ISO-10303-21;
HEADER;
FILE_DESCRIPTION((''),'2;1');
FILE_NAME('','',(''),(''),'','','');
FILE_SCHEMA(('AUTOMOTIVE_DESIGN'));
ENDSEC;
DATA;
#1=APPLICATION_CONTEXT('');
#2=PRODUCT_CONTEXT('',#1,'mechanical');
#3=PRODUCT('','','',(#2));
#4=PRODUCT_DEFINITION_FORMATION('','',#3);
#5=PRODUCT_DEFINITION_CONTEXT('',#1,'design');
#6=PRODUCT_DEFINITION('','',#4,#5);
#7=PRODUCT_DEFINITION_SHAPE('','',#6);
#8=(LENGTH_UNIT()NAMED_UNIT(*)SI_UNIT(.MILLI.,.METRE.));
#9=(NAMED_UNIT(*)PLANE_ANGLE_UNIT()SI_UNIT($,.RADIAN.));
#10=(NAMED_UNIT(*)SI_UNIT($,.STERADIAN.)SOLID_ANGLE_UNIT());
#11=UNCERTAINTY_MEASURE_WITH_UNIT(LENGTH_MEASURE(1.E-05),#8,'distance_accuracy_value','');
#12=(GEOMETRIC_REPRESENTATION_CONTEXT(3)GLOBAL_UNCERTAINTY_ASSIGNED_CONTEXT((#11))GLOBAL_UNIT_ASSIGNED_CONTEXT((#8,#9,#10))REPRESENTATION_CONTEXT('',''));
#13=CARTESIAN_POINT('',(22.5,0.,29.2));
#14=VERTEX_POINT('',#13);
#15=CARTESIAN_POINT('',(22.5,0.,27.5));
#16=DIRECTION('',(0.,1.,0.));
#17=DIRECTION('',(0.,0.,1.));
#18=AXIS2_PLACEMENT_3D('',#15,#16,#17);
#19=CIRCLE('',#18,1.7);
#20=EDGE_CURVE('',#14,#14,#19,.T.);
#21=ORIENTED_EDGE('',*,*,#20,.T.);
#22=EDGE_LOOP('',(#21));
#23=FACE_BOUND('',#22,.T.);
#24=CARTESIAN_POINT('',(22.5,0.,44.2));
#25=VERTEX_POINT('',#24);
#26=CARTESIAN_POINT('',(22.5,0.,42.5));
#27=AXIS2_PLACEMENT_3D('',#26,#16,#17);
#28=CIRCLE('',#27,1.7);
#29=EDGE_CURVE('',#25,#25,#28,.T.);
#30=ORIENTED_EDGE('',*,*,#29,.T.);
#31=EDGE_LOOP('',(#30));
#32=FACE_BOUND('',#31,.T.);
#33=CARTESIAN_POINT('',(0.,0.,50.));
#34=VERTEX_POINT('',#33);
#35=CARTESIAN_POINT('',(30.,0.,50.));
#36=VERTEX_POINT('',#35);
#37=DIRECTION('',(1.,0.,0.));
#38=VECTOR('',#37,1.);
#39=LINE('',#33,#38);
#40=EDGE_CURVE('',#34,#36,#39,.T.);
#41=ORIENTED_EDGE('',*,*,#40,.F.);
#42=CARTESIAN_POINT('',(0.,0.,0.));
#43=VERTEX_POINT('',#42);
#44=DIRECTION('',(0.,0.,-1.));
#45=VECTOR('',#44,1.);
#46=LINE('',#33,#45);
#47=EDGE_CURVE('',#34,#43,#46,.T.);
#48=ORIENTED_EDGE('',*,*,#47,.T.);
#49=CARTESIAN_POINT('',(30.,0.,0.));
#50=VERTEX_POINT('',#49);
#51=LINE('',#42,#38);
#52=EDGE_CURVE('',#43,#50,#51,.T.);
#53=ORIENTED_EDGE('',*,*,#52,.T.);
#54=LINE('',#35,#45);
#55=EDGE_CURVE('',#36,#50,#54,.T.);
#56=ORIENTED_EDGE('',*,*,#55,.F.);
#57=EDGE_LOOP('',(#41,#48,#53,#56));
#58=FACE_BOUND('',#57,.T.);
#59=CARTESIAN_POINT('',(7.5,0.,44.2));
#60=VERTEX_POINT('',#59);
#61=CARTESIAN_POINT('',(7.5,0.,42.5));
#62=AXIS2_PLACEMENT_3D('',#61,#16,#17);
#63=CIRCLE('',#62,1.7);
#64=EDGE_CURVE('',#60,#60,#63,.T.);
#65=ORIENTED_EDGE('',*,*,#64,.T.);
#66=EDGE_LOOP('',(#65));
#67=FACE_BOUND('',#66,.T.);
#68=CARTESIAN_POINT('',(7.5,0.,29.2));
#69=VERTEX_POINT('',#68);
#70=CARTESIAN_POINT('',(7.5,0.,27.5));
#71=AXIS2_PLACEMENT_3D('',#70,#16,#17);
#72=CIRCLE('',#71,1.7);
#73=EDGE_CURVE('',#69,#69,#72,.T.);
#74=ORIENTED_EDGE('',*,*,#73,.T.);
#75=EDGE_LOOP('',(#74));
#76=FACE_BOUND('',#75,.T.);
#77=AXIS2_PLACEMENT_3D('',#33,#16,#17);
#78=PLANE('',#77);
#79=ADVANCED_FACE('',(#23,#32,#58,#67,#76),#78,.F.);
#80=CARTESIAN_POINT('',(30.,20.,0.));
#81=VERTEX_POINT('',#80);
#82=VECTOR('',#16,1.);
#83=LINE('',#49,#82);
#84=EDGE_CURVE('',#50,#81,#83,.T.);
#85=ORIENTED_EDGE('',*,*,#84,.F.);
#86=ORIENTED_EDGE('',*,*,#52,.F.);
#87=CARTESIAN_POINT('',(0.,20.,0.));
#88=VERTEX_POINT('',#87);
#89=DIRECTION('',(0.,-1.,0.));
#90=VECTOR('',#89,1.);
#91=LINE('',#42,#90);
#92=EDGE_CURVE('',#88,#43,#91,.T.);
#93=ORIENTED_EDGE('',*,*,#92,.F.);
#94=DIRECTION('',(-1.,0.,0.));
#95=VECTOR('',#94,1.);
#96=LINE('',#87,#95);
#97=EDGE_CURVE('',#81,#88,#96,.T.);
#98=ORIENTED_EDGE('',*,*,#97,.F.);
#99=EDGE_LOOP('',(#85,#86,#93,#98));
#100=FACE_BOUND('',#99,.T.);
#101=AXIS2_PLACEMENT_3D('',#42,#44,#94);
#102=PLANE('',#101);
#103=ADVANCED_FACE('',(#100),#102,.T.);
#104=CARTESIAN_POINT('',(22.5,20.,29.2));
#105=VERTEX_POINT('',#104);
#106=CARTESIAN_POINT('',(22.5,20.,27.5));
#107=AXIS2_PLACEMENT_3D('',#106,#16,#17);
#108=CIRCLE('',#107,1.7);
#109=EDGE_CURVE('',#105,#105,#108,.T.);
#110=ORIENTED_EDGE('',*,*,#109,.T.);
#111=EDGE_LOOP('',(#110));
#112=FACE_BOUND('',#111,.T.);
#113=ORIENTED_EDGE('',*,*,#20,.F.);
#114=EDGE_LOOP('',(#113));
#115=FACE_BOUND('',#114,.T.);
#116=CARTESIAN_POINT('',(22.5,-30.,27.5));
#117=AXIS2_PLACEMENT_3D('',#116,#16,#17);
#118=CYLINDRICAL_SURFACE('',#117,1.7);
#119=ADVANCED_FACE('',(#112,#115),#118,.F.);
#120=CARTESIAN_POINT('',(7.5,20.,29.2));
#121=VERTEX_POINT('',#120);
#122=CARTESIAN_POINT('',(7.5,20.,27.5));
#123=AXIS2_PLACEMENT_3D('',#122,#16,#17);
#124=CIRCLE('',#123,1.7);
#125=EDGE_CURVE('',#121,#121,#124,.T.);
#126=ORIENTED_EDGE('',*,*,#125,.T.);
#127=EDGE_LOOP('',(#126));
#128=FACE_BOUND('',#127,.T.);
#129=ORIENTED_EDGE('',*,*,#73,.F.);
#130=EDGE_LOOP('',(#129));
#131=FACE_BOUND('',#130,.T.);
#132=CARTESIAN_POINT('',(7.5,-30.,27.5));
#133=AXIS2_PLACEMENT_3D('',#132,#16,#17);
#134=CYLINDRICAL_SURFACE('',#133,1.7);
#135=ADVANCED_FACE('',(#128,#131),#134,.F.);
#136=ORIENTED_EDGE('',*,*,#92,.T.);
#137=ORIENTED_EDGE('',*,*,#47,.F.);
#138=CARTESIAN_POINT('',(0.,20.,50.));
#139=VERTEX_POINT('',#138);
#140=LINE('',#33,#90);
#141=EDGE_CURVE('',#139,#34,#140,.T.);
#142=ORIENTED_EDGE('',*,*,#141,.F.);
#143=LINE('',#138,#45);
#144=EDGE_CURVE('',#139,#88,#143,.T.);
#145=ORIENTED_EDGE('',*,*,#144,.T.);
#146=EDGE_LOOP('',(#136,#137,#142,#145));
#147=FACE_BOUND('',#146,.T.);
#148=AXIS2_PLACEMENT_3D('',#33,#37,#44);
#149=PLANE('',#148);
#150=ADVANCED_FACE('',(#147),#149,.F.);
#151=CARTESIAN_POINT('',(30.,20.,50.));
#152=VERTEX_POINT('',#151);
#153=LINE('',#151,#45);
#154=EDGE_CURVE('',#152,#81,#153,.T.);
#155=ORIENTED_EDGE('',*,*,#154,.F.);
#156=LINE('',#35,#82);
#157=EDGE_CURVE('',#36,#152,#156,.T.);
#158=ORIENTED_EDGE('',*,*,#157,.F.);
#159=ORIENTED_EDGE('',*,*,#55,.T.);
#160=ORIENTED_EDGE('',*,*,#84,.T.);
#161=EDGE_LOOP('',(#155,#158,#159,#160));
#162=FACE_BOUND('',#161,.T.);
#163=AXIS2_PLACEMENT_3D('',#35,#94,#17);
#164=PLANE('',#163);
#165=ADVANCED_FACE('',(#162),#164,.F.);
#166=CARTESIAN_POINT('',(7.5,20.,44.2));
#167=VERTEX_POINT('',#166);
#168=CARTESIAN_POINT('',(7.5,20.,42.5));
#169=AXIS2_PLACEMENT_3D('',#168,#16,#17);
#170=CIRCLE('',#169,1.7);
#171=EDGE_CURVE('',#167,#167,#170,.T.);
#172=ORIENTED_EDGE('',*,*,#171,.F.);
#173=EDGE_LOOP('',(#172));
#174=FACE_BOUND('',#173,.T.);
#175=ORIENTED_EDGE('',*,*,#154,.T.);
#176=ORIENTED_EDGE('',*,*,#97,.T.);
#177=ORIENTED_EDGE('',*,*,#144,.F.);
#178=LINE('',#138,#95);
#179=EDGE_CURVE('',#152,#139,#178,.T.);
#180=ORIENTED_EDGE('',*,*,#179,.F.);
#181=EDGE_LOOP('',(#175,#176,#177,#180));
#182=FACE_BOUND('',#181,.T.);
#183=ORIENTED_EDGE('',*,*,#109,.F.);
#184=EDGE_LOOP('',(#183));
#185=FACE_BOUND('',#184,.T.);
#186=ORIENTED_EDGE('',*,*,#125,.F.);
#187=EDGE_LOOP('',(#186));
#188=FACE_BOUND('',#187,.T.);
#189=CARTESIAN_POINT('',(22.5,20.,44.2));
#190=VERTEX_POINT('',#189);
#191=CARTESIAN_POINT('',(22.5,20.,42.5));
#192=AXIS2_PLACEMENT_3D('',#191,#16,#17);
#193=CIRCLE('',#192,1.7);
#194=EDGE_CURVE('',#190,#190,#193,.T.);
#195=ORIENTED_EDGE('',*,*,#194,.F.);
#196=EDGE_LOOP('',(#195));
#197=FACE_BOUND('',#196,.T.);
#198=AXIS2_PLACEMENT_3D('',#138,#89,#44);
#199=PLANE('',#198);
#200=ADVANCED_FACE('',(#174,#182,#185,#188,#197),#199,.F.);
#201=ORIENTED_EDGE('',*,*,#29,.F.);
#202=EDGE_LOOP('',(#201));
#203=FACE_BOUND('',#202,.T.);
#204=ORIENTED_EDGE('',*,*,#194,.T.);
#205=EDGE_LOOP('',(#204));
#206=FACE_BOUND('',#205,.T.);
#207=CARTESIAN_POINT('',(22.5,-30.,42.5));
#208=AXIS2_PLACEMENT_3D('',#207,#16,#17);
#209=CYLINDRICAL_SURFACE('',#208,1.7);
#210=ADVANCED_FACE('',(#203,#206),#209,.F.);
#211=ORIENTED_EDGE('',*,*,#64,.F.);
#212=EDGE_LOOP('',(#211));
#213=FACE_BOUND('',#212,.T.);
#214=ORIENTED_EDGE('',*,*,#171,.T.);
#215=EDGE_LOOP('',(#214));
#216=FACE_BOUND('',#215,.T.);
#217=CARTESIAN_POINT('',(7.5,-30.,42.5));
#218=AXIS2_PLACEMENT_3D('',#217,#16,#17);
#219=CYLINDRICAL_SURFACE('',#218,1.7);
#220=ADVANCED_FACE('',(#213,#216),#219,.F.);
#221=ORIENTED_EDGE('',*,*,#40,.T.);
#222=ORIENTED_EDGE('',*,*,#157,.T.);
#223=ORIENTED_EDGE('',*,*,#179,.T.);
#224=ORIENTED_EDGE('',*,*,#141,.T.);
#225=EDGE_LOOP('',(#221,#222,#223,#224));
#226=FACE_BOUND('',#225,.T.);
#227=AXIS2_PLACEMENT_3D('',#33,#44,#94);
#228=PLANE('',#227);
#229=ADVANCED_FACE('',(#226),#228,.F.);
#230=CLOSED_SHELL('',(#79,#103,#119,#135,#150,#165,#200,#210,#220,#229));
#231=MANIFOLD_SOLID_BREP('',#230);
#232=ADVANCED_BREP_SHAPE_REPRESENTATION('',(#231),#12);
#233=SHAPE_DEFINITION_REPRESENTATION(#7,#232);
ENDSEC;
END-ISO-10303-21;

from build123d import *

# Parameters (mm, degrees)
SKETCH2_W           = 30
SKETCH2_H           = 20
BOSS_EXTRUDE1_DEPTH = 50
SKETCH3_R           = 1.7
CUT_EXTRUDE1_DEPTH  = 50


with BuildPart() as part:
    # Sketch2 → Boss-Extrude1 (new body)
    with BuildSketch(Plane.XY):
        with Locations((15, 10)):
            Rectangle(SKETCH2_W, SKETCH2_H)
    extrude(amount=BOSS_EXTRUDE1_DEPTH)

    # Sketch3 → Cut-Extrude1 (cut)
    with BuildSketch(Plane(origin=(0, 20, 0), x_dir=(1, 0, 0), z_dir=(0, 1, 0))):
        with Locations(Location((7.5, -27.5, 0), (0, 0, 270))):
            Circle(SKETCH3_R)
        with Locations(Location((22.5, -27.5, 0), (0, 0, 270))):
            Circle(SKETCH3_R)
        with Locations(Location((22.5, -42.5, 0), (0, 0, 270))):
            Circle(SKETCH3_R)
        with Locations(Location((7.5, -42.5, 0), (0, 0, 270))):
            Circle(SKETCH3_R)
    extrude(amount=-CUT_EXTRUDE1_DEPTH, mode=Mode.SUBTRACT)


solid = part.part
